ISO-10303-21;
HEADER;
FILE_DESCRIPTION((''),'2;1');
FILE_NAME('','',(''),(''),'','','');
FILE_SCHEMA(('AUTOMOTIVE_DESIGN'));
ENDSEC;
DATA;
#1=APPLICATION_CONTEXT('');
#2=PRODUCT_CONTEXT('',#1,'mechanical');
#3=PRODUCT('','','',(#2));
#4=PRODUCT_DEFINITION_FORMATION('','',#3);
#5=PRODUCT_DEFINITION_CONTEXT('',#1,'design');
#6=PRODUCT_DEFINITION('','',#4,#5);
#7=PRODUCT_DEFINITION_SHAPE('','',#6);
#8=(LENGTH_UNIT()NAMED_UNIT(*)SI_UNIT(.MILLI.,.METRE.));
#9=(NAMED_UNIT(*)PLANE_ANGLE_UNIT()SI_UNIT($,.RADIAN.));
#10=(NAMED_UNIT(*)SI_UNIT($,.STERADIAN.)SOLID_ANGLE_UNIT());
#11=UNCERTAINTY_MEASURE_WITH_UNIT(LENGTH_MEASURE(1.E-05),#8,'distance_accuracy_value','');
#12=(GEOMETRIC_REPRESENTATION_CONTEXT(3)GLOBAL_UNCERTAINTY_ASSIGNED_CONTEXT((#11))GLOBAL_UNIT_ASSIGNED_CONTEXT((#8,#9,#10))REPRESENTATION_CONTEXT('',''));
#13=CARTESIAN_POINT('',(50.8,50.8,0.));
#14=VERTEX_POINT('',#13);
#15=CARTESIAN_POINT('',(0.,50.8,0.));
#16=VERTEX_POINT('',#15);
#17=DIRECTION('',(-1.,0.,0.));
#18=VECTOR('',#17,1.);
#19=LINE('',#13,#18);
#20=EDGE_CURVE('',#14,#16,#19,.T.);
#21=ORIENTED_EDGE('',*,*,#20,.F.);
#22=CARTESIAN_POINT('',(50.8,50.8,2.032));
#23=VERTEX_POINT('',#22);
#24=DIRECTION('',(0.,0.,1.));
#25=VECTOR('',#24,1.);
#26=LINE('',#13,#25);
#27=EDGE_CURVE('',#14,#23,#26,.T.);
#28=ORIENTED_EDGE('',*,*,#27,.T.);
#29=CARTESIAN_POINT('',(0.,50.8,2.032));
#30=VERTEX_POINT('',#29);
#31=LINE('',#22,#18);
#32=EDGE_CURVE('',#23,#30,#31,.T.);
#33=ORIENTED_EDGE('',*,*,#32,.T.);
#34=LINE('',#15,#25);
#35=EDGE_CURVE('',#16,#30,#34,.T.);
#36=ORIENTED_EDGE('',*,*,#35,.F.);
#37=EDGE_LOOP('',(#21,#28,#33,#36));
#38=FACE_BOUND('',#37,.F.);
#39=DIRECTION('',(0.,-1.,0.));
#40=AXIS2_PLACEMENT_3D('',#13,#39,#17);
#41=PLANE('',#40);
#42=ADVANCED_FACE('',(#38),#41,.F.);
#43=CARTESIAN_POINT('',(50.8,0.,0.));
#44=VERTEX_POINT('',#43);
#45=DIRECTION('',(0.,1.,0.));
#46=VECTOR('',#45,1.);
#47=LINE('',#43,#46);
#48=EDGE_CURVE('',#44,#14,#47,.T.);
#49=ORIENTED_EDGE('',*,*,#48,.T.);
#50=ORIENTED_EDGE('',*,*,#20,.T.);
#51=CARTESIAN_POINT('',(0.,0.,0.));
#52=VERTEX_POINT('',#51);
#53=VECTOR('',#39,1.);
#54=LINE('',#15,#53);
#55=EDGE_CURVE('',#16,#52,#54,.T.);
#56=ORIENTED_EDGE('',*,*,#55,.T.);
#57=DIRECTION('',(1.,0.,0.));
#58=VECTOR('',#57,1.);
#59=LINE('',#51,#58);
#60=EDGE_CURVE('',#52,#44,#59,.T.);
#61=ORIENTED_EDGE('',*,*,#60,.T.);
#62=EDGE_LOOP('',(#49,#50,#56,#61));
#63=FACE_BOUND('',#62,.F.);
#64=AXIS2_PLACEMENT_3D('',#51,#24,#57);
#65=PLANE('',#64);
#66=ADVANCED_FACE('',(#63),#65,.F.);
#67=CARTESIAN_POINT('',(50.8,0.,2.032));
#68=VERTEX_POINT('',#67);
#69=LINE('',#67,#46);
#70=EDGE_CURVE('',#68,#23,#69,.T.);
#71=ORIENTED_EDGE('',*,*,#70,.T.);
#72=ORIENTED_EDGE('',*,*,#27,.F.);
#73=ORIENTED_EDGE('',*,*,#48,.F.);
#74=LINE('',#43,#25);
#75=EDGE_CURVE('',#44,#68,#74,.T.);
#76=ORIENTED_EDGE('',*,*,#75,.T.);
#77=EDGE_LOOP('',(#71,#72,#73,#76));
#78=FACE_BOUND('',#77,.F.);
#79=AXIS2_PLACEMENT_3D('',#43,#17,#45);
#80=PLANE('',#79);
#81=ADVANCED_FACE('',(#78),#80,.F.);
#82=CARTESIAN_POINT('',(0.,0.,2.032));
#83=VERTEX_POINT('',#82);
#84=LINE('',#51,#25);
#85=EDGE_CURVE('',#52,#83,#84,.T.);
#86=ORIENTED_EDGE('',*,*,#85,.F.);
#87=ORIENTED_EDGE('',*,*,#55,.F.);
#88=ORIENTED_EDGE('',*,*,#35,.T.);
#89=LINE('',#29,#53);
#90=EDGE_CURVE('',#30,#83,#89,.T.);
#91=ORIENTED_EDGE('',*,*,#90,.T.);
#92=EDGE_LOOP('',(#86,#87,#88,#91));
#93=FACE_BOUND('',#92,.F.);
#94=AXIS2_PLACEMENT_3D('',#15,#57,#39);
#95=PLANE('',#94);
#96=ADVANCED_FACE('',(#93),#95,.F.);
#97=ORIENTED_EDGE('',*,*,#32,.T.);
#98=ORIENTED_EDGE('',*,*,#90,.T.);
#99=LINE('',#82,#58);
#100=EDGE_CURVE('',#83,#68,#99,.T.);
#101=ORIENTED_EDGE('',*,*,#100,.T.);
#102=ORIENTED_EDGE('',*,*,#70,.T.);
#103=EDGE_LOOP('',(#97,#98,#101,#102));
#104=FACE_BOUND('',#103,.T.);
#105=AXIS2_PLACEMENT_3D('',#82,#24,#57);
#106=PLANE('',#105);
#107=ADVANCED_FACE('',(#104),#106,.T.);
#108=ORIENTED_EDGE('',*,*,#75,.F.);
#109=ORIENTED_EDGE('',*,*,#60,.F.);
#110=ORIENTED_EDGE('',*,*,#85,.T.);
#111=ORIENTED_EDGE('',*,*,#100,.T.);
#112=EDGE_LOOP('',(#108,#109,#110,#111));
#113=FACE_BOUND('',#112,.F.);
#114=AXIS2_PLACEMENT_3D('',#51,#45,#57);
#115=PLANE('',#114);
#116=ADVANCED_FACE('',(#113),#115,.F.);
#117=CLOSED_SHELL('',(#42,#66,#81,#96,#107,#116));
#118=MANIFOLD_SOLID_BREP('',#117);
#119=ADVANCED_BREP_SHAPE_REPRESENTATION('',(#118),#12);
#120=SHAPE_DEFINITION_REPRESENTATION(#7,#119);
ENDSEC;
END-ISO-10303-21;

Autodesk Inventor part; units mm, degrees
ref_plane "YZ Plane" through (0, 0, 0) normal (1, 0, 0) x (0, 1, 0)
ref_plane "XZ Plane" through (0, 0, 0) normal (0, 1, 0) x (-1, 0, 0)
ref_plane "XY Plane" through (0, 0, 0) normal (0, 0, 1) x (1, 0, 0)
sketch "Sketch1" plane through (0, 0, 0) normal (0, 0, 1) x (1, 0, 0)
  line L0 (0, 0) -> (50.8, 0)
  line L1 (50.8, 0) -> (50.8, 50.8)
  line L2 (50.8, 50.8) -> (0, 50.8)
  line L3 (0, 50.8) -> (0, 0)
  dimension "d0" = 50.8
  dimension "d1" = 50.8
extrude "Extrusion1" add sketch "Sketch1" along normal blind 2.032
properties part number "Copper Plate" material "Copper"
